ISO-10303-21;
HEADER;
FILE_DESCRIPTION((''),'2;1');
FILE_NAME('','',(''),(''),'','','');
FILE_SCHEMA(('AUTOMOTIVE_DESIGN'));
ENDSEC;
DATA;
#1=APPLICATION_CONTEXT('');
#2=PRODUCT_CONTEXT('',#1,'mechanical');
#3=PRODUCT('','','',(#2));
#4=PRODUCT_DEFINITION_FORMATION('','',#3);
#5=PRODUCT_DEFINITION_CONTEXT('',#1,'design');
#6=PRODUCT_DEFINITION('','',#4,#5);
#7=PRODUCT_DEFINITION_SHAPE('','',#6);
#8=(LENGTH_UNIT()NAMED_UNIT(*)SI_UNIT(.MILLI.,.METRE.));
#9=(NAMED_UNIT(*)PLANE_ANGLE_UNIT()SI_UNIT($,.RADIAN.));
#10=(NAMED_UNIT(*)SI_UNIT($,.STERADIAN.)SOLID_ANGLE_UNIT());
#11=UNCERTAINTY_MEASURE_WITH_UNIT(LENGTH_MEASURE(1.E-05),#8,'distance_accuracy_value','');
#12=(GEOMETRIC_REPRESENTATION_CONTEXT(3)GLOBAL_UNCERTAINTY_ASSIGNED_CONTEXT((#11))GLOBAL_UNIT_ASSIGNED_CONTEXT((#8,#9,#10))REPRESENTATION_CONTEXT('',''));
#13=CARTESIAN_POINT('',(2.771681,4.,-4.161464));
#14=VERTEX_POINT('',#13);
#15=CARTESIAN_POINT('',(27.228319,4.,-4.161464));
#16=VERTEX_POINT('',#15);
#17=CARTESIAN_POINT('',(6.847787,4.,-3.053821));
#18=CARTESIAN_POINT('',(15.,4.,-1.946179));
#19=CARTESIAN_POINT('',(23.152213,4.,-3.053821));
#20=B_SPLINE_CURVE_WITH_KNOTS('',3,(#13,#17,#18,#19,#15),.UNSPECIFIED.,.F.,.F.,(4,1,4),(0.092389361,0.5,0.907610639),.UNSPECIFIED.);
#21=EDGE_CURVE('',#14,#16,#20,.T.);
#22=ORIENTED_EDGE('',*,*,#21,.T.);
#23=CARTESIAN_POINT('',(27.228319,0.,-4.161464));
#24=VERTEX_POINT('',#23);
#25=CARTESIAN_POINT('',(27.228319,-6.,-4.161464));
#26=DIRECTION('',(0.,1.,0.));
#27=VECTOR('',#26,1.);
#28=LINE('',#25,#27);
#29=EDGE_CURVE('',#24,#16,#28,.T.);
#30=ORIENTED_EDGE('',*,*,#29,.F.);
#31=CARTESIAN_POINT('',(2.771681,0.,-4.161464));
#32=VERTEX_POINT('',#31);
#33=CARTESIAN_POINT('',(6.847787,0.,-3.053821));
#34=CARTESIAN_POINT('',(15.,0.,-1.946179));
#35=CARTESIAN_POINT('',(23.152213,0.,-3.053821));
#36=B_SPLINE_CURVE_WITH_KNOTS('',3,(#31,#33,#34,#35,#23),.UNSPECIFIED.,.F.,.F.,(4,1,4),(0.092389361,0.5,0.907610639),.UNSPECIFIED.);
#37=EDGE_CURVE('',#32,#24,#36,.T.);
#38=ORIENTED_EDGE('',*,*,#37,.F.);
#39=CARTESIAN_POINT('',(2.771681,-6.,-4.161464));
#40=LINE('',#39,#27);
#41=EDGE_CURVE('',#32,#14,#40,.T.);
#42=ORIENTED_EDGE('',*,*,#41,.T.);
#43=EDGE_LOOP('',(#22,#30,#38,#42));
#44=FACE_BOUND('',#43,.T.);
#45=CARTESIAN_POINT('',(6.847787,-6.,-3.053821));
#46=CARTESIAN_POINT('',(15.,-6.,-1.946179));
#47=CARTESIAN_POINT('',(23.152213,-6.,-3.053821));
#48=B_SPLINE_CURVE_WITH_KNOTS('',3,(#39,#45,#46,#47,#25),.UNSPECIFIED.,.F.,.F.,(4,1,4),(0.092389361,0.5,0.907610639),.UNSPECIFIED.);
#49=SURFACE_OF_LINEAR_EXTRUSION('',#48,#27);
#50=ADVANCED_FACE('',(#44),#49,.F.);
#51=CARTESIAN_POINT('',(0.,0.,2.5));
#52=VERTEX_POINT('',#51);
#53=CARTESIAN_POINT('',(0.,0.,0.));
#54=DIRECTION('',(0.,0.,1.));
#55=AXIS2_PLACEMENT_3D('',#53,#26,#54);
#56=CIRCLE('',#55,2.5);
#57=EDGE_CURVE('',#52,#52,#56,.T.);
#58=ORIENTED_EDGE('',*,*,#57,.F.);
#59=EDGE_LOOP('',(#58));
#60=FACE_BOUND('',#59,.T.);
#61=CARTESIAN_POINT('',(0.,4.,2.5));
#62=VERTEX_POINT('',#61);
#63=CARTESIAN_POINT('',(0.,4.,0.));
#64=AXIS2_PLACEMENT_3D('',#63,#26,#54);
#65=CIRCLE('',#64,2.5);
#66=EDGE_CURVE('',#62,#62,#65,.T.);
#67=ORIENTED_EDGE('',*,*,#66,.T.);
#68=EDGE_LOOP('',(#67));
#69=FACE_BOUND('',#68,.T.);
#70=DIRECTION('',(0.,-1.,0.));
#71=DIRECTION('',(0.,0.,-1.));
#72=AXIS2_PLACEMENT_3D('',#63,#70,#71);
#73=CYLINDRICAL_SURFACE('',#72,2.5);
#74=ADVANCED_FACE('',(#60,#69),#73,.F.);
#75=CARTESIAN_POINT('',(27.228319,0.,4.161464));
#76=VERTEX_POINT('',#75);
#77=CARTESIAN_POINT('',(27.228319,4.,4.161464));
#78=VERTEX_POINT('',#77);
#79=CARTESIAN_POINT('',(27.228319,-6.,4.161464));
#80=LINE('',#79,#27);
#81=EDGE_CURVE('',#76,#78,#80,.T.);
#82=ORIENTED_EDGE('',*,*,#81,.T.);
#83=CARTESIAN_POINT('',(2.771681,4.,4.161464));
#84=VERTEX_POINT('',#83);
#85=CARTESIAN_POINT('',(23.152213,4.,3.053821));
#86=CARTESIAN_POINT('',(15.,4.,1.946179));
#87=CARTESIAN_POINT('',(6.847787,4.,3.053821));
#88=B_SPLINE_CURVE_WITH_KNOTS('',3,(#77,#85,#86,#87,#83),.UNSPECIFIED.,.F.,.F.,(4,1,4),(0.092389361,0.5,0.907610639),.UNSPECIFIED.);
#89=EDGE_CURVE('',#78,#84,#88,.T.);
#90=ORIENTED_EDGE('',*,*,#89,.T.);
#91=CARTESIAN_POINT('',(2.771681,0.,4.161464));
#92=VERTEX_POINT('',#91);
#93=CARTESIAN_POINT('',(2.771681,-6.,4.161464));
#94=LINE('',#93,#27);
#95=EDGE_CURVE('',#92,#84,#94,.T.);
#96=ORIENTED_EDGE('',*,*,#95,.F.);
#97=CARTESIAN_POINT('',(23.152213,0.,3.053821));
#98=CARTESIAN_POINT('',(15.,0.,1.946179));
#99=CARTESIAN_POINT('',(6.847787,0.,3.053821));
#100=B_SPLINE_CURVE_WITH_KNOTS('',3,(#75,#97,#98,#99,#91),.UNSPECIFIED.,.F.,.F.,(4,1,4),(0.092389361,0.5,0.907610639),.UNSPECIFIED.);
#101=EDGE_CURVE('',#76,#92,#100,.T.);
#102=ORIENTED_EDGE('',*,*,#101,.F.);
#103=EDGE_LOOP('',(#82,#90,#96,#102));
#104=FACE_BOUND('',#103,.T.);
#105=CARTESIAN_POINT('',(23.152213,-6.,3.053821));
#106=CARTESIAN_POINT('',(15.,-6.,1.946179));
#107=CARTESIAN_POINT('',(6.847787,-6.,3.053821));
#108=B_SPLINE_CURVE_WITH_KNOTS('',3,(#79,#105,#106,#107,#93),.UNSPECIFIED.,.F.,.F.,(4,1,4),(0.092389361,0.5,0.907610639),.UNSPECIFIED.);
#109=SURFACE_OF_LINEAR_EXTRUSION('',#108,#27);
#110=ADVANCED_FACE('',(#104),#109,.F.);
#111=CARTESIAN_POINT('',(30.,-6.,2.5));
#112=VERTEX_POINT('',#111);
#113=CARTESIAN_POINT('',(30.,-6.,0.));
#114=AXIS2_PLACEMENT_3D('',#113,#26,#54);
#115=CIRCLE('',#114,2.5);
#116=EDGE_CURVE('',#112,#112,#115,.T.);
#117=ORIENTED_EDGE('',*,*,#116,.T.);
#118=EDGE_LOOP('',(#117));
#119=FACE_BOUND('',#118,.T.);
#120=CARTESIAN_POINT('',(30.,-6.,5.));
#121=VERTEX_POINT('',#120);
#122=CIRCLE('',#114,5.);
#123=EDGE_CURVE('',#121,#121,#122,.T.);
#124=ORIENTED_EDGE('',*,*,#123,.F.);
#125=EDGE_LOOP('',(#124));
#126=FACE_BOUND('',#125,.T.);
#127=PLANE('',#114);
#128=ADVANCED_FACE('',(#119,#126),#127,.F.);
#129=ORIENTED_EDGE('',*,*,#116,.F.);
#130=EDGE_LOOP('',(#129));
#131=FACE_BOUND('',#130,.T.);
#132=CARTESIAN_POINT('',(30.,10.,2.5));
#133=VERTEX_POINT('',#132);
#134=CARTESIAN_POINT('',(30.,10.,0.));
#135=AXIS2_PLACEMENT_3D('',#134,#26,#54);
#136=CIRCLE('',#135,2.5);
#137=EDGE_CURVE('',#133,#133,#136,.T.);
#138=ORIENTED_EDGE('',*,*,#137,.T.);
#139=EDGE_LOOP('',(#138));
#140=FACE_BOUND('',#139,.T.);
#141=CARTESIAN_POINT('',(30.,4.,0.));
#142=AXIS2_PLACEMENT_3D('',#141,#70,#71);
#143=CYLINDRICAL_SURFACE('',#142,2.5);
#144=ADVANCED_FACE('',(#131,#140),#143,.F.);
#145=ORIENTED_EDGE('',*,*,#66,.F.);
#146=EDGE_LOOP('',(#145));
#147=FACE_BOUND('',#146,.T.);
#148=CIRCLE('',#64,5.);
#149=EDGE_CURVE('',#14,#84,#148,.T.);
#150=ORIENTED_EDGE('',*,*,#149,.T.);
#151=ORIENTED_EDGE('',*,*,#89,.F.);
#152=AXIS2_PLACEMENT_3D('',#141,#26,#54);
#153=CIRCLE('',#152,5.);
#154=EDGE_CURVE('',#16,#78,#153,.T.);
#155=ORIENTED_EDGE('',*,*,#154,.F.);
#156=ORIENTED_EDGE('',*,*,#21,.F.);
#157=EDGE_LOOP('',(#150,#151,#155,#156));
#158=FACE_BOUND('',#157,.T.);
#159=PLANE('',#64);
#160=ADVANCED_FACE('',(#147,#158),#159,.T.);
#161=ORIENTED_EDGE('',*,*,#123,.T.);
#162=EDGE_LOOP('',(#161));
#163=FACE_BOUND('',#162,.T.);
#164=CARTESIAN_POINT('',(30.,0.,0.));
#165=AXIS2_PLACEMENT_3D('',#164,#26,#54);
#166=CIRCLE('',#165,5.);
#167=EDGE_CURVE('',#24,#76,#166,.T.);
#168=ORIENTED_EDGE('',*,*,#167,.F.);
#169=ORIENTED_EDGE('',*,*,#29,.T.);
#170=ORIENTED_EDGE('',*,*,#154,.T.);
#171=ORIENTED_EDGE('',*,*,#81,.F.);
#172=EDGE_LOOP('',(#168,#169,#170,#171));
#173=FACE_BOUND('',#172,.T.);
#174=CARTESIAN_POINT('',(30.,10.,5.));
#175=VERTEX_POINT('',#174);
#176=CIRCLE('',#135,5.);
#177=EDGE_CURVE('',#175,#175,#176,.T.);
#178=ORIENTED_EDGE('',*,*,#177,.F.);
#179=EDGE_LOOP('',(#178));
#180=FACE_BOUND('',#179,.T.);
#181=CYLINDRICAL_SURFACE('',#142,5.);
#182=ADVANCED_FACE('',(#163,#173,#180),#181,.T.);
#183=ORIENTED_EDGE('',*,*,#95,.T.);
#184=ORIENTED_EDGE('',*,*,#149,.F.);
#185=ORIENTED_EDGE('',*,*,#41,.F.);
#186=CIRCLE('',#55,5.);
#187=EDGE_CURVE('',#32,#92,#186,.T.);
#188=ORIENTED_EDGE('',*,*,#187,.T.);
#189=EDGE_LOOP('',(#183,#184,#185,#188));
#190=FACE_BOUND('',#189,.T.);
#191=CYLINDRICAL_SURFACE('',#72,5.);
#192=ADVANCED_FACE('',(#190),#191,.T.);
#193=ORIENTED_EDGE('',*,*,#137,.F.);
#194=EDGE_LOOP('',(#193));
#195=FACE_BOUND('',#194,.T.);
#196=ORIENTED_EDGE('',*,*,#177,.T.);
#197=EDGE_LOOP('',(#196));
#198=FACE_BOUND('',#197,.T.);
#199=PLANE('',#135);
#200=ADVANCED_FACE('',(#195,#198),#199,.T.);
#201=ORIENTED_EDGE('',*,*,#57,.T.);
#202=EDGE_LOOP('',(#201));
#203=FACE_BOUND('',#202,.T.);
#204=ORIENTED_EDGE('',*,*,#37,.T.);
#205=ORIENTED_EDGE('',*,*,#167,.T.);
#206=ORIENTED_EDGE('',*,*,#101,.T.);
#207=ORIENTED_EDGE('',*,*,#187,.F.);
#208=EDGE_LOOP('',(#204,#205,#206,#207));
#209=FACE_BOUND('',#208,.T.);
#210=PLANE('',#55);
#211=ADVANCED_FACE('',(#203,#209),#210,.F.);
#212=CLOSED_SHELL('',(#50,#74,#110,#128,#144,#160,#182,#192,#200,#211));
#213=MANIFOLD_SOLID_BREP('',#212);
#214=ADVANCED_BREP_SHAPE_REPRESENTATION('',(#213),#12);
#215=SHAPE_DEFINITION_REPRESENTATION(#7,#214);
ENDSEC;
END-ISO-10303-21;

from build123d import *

# Parameters (mm, degrees)
SKETCH1_R                = 2.5
BOSS_EXTRUDE1_DEPTH      = 4
BOSS_EXTRUDE3_DEPTH      = 8
BOSS_EXTRUDE3_DEPTH_BACK = 8
SKETCH3_R                = 5
SKETCH3_R_2              = 2.5
CUT_EXTRUDE1_START       = -10
CUT_EXTRUDE1_DEPTH       = 10


with BuildPart() as part:
    # Sketch1 → Boss-Extrude1 (new body)
    with BuildSketch(Plane(origin=(0, 0, 0), x_dir=(1, 0, 0), z_dir=(0, 1, 0))):
        with BuildLine():
            Line((0, 5), (30, 5))
            ThreePointArc((30, 5), (35, 0), (30, -5))
            Line((30, -5), (0, -5))
            ThreePointArc((0, -5), (-5, 0), (0, 5))
        make_face()
        with Locations(Location((0, 0, 0), (0, 0, 270))):
            Circle(SKETCH1_R, mode=Mode.SUBTRACT)
        with Locations(Location((30, 0, 0), (0, 0, 270))):
            Circle(SKETCH1_R, mode=Mode.SUBTRACT)
    extrude(amount=BOSS_EXTRUDE1_DEPTH)

    # Sketch3 → Boss-Extrude3 (add, two sides: drawn at the far end of the back side and taken through both)
    with BuildSketch(Plane(origin=(0, 2, 0), x_dir=(1, 0, 0), z_dir=(0, 1, 0)).offset(-BOSS_EXTRUDE3_DEPTH_BACK)):
        with Locations(Location((30, 0, 0), (0, 0, 270))):
            Circle(SKETCH3_R)
        with Locations(Location((30, 0, 0), (0, 0, 270))):
            Circle(SKETCH3_R_2, mode=Mode.SUBTRACT)
    extrude(amount=BOSS_EXTRUDE3_DEPTH + BOSS_EXTRUDE3_DEPTH_BACK)

    # Sketch4 → Cut-Extrude1 (cut)
    with BuildSketch(Plane(origin=(0, 4, 0), x_dir=(1, 0, 0), z_dir=(0, 1, 0)).offset(CUT_EXTRUDE1_START)):
        with BuildLine():
            Line((0, -5), (30, -5))
            ThreePointArc((30, -5), (28.552126, -4.785777), (27.228319, -4.161464))
            add(Edge.make_bspline(
                [(2.771681, -4.161464), (6.847787, -3.053821), (15, -1.946179), (23.152213, -3.053821), (27.228319, -4.161464)],
                knots=[0.092389, 0.092389, 0.092389, 0.092389, 0.5, 0.907611, 0.907611, 0.907611, 0.907611], degree=3))
            ThreePointArc((2.771681, -4.161464), (1.447874, -4.785777), (0, -5))
        make_face()
        with BuildLine():
            Line((0, 5), (30, 5))
            ThreePointArc((30, 5), (28.552126, 4.785777), (27.228319, 4.161464))
            add(Edge.make_bspline(
                [(2.771681, 4.161464), (6.847787, 3.053821), (15, 1.946179), (23.152213, 3.053821), (27.228319, 4.161464)],
                knots=[0.092389, 0.092389, 0.092389, 0.092389, 0.5, 0.907611, 0.907611, 0.907611, 0.907611], degree=3))
            ThreePointArc((2.771681, 4.161464), (1.447874, 4.785777), (0, 5))
        make_face()
    extrude(amount=CUT_EXTRUDE1_DEPTH, mode=Mode.SUBTRACT)


solid = part.part
